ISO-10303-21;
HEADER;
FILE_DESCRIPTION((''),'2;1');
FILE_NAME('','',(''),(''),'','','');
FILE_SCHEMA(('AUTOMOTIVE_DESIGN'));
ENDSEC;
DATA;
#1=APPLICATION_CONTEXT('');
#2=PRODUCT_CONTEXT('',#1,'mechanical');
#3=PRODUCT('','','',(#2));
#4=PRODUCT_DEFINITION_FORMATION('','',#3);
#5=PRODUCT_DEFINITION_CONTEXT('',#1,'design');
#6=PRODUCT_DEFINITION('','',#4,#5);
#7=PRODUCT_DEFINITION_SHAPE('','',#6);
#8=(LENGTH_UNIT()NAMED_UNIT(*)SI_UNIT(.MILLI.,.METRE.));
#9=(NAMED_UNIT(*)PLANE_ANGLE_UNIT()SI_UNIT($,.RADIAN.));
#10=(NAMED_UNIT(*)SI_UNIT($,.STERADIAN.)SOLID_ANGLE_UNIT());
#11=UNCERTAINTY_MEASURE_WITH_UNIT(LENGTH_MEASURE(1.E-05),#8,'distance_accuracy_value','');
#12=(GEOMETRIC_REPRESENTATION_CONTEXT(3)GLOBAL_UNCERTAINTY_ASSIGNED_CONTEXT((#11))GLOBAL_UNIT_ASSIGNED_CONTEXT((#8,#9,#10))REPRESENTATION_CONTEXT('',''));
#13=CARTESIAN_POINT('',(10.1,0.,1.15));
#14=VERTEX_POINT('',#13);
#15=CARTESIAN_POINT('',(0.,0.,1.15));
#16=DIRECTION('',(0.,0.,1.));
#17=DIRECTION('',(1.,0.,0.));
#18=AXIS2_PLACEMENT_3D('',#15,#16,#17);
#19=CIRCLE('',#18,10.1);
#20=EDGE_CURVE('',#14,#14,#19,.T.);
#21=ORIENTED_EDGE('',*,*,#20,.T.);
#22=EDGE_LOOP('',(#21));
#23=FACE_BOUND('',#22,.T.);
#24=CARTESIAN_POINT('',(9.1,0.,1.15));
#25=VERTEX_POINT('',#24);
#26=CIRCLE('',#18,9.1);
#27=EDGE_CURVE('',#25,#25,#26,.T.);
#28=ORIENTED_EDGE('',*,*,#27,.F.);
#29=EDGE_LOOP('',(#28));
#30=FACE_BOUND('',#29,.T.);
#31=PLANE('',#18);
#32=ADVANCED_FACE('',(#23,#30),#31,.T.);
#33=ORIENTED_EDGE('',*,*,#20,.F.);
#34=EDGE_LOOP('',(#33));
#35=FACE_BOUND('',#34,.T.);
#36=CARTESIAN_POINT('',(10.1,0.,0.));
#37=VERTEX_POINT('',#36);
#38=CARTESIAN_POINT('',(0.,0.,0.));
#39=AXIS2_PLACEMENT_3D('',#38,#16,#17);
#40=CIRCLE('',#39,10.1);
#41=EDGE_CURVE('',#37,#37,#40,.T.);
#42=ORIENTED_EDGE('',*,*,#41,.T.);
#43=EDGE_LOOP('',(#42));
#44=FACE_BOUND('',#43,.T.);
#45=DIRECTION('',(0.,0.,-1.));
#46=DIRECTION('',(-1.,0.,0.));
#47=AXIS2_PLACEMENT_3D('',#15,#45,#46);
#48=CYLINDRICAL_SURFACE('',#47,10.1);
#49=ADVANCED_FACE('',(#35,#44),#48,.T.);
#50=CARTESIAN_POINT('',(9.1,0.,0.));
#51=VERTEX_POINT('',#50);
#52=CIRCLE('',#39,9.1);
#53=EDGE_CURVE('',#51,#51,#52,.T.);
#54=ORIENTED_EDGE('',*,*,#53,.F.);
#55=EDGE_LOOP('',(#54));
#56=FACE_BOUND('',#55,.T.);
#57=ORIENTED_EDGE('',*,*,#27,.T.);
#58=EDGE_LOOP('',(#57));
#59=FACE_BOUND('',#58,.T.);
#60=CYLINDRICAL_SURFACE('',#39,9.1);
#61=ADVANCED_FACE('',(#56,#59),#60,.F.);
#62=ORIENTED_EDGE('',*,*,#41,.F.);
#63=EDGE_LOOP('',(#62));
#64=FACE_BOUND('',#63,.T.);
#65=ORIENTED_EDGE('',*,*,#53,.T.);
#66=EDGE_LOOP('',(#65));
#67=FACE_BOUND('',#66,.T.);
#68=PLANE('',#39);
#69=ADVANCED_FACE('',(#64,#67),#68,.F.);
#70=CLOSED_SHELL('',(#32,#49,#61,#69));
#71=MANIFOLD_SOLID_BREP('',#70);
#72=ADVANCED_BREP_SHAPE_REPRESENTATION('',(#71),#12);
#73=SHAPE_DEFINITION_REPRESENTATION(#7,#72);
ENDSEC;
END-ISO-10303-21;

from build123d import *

# Parameters (mm, degrees)
SKETCH1_R           = 10.1
BOSS_EXTRUDE1_DEPTH = 1.15
SKETCH2_R           = 9.1
CUT_EXTRUDE1_DEPTH  = 1.15


with BuildPart() as part:
    # Sketch1 → Boss-Extrude1 (new body)
    with BuildSketch(Plane.XY):
        Circle(SKETCH1_R)
    extrude(amount=BOSS_EXTRUDE1_DEPTH)

    # Sketch2 → Cut-Extrude1 (cut)
    with BuildSketch(Plane.XY.offset(1.15)):
        Circle(SKETCH2_R)
    extrude(amount=-CUT_EXTRUDE1_DEPTH, mode=Mode.SUBTRACT)


solid = part.part
